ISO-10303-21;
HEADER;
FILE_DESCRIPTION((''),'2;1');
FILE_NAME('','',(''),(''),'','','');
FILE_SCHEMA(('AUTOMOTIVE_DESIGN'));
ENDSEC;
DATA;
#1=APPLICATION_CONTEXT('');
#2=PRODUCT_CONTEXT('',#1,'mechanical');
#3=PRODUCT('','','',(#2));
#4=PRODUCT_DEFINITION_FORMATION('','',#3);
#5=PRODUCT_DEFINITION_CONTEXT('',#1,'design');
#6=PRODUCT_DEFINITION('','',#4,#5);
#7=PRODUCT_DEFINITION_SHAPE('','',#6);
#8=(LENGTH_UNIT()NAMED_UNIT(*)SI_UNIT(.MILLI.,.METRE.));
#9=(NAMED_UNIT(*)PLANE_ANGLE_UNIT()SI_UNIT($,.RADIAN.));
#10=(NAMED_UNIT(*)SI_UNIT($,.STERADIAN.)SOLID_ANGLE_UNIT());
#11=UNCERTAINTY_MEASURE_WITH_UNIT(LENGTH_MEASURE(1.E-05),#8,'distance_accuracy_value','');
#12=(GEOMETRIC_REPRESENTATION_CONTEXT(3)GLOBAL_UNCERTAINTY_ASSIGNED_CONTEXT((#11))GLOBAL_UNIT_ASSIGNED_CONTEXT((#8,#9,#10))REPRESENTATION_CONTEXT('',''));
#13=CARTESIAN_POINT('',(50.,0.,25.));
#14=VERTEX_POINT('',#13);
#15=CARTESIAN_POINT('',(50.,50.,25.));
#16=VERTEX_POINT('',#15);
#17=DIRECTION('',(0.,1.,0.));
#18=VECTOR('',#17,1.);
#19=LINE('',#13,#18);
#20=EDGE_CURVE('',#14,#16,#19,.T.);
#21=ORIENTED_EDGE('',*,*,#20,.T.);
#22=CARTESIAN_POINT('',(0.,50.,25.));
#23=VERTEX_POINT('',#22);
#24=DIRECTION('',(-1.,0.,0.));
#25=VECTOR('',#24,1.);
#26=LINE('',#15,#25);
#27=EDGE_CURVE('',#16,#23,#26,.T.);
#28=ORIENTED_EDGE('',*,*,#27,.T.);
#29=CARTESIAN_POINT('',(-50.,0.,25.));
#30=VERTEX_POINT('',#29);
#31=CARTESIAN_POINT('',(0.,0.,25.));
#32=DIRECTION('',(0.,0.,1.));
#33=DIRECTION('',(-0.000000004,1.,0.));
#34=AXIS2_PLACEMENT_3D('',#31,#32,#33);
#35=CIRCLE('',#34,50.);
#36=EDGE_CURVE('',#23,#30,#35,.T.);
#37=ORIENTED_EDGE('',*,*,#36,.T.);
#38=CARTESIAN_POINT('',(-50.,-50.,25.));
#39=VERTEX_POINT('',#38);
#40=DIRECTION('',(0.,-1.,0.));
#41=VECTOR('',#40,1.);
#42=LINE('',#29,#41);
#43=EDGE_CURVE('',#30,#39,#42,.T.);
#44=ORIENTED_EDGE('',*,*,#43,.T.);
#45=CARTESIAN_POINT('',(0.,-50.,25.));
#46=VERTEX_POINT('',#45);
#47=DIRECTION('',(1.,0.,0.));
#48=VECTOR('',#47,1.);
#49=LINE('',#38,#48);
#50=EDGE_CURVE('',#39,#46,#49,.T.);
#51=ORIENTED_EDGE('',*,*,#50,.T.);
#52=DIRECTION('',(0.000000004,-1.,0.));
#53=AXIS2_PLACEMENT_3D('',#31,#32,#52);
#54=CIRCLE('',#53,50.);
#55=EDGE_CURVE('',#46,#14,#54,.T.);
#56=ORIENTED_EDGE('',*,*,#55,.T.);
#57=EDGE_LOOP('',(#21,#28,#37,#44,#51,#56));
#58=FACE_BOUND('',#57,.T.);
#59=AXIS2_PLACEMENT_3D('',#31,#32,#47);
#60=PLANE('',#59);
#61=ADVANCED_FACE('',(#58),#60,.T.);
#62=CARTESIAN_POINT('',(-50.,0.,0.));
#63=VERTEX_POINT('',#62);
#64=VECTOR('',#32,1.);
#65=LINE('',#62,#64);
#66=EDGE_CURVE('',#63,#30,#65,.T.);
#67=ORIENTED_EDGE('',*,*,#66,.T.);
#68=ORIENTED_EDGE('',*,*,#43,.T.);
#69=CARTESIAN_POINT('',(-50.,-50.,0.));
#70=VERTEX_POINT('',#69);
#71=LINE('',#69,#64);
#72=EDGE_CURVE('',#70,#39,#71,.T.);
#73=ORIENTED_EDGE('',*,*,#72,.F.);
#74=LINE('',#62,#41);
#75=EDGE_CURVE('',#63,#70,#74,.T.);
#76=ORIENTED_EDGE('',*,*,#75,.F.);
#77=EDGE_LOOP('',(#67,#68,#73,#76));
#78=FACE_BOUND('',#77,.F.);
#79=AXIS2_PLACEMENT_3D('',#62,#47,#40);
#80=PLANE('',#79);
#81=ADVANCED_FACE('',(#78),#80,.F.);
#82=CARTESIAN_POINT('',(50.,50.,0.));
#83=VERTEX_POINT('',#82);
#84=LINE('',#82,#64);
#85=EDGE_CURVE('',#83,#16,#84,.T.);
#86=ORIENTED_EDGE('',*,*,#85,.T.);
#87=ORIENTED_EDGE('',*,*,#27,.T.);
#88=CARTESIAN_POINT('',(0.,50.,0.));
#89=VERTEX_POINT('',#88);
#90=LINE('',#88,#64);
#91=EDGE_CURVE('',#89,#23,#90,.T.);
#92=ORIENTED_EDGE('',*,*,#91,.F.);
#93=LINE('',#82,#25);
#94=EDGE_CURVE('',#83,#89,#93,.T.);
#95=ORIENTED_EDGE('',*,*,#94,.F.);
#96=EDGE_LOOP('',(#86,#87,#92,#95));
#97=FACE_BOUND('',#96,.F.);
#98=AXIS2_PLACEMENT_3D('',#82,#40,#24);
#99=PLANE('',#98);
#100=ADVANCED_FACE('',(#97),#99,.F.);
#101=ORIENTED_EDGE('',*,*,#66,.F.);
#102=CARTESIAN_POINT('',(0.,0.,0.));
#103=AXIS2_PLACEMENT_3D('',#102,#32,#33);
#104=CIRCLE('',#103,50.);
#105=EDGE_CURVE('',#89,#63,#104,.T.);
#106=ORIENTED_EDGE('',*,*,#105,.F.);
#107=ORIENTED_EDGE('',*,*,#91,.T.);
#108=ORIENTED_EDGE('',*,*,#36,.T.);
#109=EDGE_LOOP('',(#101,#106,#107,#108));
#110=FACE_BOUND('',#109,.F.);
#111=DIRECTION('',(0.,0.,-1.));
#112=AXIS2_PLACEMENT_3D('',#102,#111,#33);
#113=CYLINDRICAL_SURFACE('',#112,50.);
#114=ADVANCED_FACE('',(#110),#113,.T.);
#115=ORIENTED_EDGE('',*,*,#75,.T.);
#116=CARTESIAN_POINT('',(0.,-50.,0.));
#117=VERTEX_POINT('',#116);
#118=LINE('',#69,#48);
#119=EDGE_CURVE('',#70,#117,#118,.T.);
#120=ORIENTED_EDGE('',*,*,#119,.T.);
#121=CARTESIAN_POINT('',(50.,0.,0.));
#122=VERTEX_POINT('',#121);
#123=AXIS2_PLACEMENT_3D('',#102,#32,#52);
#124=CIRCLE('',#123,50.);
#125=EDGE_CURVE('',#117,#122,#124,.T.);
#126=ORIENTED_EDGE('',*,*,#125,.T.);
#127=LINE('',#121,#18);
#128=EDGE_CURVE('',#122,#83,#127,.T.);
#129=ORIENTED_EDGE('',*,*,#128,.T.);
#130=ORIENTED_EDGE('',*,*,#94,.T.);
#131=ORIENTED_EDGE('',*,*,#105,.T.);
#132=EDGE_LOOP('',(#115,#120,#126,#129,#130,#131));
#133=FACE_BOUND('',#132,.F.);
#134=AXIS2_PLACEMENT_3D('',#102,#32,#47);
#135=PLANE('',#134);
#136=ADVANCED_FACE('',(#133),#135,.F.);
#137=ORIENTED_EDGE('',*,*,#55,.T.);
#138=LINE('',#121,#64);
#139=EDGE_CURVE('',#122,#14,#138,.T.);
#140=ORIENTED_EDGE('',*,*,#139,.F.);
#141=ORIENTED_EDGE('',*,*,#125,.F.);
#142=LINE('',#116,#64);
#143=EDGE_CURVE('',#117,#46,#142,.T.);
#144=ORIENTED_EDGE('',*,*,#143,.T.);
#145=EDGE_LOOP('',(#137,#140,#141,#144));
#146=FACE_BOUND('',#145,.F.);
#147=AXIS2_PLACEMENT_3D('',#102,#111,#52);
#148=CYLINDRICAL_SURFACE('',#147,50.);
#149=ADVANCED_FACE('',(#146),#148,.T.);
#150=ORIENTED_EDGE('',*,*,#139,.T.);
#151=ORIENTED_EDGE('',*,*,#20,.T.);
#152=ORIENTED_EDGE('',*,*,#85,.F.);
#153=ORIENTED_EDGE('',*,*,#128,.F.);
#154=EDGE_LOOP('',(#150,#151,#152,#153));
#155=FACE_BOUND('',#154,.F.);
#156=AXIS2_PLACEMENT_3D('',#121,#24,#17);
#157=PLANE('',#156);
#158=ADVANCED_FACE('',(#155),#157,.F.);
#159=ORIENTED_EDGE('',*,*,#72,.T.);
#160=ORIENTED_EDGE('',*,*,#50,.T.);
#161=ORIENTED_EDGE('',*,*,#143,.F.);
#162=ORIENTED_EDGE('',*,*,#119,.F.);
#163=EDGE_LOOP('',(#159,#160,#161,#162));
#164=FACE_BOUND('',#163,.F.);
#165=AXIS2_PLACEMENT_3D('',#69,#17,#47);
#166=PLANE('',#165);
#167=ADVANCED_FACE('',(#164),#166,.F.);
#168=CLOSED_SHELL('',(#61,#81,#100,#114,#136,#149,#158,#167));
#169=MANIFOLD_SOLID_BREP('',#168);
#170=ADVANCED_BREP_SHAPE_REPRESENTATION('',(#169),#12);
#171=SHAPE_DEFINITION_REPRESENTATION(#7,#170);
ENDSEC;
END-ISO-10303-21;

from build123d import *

# Parameters (mm, degrees)
F1_DEPTH = 25


with BuildPart() as f1:
    # F0 (on Top) → F1 (new body)
    with BuildSketch(Plane.XY):
        with BuildLine():
            Line((50, 50), (0, 50))
            ThreePointArc((0, 50), (-35.355339, 35.355339), (-50, 0))
            Line((-50, 0), (-50, -50))
            Line((-50, -50), (0, -50))
            ThreePointArc((0, -50), (35.355339, -35.355339), (50, 0))
            Line((50, 0), (50, 50))
        make_face()
    extrude(amount=F1_DEPTH)


solid = f1.part
